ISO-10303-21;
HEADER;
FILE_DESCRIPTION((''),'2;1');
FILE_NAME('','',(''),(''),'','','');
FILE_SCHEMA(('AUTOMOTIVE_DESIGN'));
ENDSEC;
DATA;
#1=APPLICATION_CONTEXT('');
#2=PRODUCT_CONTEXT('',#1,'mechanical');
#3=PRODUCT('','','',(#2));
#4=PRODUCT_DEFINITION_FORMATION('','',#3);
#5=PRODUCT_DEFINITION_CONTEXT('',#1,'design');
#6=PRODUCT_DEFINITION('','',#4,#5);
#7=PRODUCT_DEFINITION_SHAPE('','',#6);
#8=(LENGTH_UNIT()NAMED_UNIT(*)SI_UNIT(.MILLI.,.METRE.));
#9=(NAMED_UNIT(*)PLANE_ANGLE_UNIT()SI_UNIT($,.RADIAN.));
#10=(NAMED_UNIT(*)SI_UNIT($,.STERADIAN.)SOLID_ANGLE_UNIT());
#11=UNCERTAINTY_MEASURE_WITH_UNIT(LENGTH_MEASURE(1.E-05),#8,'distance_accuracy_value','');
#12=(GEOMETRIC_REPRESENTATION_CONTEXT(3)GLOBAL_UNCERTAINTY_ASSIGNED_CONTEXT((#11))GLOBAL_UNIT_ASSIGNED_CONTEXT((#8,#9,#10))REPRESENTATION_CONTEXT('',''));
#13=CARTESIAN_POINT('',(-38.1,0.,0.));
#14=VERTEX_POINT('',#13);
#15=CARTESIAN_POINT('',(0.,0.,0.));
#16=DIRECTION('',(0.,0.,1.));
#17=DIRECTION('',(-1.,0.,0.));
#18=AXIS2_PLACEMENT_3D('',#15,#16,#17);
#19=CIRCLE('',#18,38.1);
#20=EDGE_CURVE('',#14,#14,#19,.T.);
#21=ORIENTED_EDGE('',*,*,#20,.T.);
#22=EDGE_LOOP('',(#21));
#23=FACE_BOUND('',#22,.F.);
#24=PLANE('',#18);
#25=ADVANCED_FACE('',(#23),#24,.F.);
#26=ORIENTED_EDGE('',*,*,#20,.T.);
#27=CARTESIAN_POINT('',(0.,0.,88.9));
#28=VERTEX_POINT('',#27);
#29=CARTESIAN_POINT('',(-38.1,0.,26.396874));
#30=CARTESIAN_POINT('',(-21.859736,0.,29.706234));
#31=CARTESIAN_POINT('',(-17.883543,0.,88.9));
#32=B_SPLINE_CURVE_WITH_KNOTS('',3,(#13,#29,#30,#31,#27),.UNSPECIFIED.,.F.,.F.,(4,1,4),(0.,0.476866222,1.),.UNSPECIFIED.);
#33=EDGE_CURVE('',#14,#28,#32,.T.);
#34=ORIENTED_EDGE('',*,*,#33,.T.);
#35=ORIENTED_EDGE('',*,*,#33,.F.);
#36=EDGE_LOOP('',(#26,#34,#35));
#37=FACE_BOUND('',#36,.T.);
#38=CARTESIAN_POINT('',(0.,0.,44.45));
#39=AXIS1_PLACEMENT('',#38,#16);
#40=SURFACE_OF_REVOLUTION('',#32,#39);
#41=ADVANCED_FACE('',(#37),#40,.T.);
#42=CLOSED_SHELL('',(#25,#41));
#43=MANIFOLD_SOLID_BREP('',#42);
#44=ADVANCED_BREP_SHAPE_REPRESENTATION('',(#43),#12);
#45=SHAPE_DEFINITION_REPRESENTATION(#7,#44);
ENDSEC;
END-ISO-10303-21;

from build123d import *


with BuildPart() as f1:
    # F0 (on Front) → F1 (revolve)
    with BuildSketch(Plane.XZ):
        with BuildLine():
            Line((-38.1, 0), (0, 0))
            Line((0, 0), (0, 88.9))
            add(Edge.make_bspline(
                [(-38.1, 0), (-38.1, 26.3968743384), (-21.8597356907, 29.706234093), (-17.8835429251, 88.9), (0, 88.9)],
                knots=[0, 0, 0, 0, 0.4768662215, 1, 1, 1, 1], degree=3))
        make_face()
    revolve(axis=Axis((0, 0, 44.45), (0, 0, 1)))


solid = f1.part
